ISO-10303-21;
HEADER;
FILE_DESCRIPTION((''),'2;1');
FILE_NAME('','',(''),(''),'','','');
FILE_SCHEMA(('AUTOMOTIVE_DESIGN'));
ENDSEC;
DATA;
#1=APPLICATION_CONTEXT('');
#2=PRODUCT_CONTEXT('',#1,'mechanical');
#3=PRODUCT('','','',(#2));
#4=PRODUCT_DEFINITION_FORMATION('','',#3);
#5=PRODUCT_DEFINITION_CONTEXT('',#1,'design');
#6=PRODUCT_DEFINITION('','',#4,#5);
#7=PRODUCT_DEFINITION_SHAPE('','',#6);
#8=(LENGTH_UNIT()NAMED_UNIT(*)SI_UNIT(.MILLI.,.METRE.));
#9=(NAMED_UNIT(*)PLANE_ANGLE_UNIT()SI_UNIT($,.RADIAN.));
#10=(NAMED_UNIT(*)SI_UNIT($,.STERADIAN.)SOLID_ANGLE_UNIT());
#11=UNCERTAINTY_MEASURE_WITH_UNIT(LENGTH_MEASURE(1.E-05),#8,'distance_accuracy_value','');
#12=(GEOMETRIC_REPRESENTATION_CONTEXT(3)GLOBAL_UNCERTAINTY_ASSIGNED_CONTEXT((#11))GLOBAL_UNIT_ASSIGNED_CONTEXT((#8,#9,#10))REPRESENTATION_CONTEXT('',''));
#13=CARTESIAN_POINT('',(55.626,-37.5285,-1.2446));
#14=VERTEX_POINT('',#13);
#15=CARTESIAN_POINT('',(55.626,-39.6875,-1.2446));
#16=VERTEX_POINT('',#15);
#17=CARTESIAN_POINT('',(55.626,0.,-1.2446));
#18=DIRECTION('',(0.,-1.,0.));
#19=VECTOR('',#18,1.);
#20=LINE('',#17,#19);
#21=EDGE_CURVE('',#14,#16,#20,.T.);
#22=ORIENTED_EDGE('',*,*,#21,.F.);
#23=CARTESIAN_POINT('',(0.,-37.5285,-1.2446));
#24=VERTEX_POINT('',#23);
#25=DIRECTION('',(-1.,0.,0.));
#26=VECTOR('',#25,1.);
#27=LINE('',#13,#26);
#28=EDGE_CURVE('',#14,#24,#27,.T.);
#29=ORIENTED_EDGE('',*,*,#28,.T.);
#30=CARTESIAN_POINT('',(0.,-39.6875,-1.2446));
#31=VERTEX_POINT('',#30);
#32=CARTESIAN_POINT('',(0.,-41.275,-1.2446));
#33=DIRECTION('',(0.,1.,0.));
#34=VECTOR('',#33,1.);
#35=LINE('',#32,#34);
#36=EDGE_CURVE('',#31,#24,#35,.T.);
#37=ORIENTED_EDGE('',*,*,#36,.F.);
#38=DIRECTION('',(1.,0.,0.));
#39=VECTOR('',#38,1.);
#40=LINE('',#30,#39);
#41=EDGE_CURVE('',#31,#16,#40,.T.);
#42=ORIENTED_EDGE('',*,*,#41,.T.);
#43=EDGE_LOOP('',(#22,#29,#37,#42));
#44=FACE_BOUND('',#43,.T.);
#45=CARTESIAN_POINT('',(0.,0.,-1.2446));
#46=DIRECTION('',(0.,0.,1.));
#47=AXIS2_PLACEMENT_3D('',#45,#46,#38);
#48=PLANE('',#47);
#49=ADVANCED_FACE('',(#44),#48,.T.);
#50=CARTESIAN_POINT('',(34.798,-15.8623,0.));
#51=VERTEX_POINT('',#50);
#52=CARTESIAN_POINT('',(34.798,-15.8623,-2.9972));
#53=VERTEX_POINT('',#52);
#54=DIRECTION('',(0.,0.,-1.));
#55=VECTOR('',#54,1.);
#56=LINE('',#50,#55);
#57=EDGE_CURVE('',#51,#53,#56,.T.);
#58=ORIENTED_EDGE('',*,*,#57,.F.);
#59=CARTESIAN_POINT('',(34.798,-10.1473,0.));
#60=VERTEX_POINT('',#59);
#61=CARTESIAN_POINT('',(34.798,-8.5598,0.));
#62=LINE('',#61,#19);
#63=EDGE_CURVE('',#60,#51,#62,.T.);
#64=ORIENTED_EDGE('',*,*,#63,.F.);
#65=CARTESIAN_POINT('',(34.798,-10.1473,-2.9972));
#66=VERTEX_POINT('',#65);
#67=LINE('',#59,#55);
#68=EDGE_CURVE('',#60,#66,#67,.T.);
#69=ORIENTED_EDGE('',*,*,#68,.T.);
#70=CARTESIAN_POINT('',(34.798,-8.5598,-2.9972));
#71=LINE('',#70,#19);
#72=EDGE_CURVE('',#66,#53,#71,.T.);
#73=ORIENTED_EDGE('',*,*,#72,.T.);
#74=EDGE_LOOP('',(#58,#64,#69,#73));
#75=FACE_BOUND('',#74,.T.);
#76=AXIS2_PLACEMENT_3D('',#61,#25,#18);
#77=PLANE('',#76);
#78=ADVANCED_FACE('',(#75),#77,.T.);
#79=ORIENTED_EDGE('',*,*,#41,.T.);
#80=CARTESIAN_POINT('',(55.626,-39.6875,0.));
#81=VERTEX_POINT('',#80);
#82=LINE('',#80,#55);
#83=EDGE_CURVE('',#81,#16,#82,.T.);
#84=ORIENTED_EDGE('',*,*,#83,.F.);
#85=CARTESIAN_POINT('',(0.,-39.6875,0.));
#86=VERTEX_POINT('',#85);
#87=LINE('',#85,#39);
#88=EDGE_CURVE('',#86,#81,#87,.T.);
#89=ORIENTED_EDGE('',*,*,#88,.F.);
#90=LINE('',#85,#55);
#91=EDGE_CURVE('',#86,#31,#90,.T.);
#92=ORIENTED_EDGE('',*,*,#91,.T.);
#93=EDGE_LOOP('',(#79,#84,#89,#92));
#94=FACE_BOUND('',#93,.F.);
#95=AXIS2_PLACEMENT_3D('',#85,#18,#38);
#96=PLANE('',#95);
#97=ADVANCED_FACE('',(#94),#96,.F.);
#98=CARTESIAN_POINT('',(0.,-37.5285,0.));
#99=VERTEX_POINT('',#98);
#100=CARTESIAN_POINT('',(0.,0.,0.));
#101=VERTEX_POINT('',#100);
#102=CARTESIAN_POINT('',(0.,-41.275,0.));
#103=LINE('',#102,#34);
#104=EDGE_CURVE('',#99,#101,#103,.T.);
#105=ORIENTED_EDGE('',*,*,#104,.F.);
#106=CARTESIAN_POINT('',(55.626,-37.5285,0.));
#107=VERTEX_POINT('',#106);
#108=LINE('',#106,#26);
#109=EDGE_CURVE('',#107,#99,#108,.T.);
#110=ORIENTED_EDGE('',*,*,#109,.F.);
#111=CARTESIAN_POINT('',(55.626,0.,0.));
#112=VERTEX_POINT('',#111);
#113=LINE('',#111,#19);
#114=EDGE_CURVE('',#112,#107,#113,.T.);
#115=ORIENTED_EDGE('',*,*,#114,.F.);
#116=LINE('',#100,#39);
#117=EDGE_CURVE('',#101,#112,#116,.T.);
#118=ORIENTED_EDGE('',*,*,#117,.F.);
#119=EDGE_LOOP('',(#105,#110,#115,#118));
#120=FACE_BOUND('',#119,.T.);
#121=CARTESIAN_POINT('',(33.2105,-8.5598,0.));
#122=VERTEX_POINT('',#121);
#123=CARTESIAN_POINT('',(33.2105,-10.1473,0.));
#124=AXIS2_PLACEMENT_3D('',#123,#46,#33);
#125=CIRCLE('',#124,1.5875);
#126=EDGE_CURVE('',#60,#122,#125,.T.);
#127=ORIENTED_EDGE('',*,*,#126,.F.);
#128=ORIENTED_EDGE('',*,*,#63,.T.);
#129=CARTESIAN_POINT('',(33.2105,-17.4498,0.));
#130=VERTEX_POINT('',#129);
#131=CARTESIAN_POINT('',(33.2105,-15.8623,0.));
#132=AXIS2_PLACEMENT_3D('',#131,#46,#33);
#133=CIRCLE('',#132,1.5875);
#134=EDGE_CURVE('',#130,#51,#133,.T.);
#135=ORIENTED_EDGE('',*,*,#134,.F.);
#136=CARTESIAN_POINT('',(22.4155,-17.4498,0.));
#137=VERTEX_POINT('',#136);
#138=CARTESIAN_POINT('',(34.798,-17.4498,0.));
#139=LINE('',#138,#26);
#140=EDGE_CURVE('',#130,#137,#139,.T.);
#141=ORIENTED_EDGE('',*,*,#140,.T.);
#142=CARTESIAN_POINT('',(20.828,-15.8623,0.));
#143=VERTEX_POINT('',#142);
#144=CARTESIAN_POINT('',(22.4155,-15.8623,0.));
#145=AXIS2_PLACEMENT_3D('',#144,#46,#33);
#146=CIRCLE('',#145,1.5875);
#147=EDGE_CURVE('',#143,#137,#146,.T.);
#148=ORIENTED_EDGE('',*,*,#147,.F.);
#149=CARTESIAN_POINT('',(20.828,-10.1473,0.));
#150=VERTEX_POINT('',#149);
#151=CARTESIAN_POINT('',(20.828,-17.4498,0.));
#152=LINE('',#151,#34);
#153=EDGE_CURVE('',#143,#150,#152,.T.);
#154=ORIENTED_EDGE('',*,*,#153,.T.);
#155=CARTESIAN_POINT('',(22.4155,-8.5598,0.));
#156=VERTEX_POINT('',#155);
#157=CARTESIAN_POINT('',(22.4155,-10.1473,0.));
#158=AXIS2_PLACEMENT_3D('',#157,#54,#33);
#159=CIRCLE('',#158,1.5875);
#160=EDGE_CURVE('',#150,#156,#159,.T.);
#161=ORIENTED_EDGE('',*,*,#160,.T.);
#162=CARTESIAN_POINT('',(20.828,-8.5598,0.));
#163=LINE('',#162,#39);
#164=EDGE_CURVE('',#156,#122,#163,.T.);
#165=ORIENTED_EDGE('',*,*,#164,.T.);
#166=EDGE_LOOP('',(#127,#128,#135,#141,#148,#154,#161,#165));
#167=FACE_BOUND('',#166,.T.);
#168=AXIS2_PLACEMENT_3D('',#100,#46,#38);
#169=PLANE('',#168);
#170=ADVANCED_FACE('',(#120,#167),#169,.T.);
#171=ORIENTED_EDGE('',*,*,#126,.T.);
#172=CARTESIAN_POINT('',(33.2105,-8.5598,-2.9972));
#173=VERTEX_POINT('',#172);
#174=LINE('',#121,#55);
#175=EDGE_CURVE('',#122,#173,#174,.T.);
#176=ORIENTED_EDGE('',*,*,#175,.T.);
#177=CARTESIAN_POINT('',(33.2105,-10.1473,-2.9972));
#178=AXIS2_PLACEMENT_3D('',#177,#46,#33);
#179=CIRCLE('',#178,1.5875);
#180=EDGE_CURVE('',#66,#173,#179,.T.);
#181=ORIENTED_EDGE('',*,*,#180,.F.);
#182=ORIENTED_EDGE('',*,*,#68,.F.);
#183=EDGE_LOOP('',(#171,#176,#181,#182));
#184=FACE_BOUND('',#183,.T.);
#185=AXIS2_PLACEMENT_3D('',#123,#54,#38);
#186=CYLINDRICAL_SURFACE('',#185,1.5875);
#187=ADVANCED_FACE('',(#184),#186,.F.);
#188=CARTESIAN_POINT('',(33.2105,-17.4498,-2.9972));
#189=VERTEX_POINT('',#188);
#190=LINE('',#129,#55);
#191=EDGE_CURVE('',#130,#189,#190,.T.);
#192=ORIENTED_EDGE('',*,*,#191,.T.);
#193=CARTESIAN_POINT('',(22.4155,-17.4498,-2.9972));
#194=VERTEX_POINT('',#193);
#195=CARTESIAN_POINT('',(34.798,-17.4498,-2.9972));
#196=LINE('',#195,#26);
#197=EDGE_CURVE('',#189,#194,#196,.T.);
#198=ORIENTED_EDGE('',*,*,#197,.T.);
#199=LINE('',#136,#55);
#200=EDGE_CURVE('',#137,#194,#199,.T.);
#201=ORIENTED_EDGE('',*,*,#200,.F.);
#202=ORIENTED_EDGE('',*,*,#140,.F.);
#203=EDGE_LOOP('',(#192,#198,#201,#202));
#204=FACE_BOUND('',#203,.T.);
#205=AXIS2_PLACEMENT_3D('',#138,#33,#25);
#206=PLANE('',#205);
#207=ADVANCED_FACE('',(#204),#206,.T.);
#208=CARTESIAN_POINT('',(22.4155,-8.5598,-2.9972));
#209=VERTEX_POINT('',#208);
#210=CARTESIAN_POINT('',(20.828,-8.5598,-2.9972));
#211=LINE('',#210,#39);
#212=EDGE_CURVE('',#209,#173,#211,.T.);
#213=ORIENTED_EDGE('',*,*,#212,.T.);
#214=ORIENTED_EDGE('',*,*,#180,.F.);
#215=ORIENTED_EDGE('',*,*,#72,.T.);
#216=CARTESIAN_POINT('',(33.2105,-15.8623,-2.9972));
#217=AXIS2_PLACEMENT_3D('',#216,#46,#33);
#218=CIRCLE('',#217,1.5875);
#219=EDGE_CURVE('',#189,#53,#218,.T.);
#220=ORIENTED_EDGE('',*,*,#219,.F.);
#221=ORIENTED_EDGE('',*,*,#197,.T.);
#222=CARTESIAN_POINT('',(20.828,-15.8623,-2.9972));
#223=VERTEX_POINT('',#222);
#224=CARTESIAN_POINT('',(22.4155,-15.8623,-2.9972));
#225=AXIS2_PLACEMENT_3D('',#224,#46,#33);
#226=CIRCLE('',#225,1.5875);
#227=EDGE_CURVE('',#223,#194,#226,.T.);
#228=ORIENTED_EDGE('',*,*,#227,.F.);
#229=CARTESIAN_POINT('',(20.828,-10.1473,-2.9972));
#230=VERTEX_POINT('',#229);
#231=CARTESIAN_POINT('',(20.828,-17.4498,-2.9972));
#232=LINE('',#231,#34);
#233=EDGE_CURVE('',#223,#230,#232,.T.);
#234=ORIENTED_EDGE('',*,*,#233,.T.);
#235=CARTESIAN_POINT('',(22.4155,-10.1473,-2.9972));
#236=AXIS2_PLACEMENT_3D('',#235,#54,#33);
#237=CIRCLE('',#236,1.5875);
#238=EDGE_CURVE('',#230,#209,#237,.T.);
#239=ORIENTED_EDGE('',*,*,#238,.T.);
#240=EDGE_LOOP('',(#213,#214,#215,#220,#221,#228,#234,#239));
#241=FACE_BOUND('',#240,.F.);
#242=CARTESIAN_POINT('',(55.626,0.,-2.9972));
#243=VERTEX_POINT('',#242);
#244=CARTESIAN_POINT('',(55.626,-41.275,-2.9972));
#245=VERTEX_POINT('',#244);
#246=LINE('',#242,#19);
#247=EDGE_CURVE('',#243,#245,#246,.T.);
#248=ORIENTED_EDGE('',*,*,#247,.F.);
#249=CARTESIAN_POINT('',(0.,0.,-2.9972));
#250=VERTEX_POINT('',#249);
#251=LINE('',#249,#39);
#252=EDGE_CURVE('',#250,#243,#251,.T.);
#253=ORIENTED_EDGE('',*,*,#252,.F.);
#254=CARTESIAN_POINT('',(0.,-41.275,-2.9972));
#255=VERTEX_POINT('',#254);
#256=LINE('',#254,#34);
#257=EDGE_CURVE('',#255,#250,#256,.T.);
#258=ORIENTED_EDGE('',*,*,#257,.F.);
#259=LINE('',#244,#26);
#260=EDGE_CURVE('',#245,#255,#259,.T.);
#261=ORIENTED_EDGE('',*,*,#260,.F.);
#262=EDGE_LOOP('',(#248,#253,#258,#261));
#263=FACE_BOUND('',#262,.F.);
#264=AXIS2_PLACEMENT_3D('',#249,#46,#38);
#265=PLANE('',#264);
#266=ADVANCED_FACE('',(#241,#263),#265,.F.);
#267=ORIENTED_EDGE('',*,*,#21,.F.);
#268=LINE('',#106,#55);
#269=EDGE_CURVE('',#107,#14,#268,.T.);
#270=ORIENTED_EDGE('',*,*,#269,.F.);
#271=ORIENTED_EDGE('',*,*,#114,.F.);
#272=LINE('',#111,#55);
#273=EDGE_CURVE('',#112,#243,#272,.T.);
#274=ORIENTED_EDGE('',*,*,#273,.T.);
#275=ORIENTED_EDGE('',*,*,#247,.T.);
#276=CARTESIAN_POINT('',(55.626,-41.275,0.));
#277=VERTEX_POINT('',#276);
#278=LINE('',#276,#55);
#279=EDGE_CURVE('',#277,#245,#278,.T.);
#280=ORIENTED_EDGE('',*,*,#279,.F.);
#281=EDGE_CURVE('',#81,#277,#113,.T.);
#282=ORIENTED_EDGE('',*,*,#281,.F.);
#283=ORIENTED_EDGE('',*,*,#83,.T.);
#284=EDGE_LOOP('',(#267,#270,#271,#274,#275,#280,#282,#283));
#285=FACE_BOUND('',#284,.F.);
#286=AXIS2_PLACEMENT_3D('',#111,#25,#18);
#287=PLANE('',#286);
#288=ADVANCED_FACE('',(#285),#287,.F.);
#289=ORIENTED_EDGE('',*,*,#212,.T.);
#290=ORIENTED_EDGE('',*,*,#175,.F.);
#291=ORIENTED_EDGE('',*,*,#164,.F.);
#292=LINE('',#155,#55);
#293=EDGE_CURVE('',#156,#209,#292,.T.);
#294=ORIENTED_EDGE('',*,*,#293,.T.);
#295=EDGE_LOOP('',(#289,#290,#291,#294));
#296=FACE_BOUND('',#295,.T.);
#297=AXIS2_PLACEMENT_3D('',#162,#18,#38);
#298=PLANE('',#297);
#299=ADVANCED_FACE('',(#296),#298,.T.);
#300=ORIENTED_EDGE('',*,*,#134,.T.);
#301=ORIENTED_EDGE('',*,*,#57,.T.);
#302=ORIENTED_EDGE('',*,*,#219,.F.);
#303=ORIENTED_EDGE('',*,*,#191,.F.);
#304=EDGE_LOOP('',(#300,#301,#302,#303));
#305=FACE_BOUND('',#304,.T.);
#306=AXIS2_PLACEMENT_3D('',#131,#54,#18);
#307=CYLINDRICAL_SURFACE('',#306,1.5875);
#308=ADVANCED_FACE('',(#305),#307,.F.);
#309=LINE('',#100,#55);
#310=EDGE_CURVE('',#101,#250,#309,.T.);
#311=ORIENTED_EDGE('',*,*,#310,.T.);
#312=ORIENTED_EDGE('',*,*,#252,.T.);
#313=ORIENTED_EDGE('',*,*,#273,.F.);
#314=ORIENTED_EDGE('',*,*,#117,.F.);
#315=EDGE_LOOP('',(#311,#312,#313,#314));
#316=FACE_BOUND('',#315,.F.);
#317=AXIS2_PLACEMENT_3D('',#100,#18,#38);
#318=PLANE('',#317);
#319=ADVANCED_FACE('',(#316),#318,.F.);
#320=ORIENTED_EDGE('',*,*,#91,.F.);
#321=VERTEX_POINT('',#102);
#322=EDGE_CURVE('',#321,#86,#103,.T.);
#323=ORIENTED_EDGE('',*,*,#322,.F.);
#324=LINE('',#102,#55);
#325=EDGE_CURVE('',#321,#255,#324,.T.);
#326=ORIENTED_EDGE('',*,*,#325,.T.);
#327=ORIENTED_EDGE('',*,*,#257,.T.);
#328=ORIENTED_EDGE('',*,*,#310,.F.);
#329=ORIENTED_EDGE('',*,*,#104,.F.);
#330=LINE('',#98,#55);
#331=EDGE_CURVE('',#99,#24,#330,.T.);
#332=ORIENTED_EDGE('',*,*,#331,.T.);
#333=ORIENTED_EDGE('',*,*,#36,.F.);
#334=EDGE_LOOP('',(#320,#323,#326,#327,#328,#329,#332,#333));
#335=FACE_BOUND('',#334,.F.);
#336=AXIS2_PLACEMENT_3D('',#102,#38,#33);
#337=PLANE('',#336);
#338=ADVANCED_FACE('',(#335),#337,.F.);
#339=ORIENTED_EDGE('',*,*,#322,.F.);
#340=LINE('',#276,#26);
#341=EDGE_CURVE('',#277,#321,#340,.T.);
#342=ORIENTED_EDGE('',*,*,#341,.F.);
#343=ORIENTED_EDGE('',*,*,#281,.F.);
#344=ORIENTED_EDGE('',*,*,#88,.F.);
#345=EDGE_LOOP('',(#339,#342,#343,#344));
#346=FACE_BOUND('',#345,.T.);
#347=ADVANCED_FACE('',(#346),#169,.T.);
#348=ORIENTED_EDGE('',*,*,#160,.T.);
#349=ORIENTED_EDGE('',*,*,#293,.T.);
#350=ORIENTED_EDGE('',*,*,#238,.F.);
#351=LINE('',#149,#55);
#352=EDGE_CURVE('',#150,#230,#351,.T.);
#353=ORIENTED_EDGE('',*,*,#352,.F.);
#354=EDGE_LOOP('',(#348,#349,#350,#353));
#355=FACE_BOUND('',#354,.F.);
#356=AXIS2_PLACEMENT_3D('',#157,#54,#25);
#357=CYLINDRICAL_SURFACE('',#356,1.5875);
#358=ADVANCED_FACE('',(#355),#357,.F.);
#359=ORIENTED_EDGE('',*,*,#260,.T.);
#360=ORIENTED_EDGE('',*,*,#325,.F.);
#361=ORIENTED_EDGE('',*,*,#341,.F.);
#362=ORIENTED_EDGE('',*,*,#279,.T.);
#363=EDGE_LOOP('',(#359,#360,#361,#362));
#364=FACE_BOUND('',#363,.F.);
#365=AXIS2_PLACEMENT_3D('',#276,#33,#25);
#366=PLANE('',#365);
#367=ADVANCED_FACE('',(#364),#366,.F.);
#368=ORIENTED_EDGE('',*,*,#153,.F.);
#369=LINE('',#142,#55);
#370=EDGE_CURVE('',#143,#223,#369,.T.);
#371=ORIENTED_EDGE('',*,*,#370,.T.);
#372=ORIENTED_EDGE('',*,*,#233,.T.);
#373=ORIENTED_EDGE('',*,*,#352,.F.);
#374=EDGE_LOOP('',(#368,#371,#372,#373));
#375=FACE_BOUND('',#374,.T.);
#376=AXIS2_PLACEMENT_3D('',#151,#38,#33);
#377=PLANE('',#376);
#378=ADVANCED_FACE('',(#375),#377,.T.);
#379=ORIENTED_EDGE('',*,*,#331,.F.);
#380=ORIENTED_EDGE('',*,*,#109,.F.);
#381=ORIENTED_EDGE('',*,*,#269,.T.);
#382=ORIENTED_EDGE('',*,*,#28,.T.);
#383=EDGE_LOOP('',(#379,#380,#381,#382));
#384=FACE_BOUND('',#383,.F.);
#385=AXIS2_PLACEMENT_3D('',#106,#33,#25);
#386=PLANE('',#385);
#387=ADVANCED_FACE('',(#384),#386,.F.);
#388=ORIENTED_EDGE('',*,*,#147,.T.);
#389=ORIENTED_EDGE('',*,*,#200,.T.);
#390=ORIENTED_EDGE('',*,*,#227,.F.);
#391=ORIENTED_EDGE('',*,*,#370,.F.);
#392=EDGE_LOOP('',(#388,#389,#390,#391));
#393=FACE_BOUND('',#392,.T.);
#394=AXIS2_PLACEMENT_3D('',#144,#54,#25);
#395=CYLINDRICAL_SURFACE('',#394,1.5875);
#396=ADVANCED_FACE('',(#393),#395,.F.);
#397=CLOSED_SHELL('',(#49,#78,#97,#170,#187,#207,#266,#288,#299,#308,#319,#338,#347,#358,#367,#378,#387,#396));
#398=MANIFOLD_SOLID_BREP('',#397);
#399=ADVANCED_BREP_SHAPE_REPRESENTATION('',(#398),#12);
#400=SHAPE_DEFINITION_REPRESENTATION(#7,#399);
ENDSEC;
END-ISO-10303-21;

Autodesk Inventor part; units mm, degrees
ref_plane "YZ Plane" through (0, 0, 0) normal (1, 0, 0) x (0, 1, 0)
ref_plane "XZ Plane" through (0, 0, 0) normal (0, 1, 0) x (-1, 0, 0)
ref_plane "XY Plane" through (0, 0, 0) normal (0, 0, 1) x (1, 0, 0)
sketch "Sketch1" plane through (0, 0, 0) normal (0, 0, 1) x (1, 0, 0)
  line L0 (0, 0) -> (55.626, 0)
  line L1 (55.626, 0) -> (55.626, -41.275)
  line L2 (55.626, -41.275) -> (0, -41.275)
  line L3 (0, -41.275) -> (0, 0)
  dimension "d0" = 41.275
  dimension "d1" = 55.626
extrude "Extrusion1" add sketch "Sketch1" against normal blind 2.9972
sketch "Sketch2" plane through (0, 0, 0) normal (0, 0, 1) x (1, 0, 0)
  line L0 (0, -41.275) -> (0, 0) projected
  line L1 (55.626, -41.275) -> (0, -41.275) projected
  line L2 (20.828, -8.5598) -> (34.798, -8.5598)
  line L3 (34.798, -8.5598) -> (34.798, -17.4498)
  line L4 (34.798, -17.4498) -> (20.828, -17.4498)
  line L5 (20.828, -17.4498) -> (20.828, -8.5598)
  dimension "d4" = 13.97
  dimension "d5" = 8.89
  dimension "d6" = 20.828
  dimension "d7" = 23.8252
extrude "Extrusion2" cut sketch "Sketch2" against normal blind 2.9972
fillet "Fillet1" radius 1.5875 4 edges at (20.828, -17.4498, -1.4986) (20.828, -8.5598, -1.4986) (34.798, -8.5598, -1.4986) (34.798, -17.4498, -1.4986)
sketch "Sketch3" plane through (0, 0, 0) normal (0, 0, 1) x (1, 0, 0)
  line L0 (0, -41.275) -> (0, 0) projected
  line L1 (55.626, -41.275) -> (0, -41.275) projected
  line L2 (55.626, 0) -> (55.626, -41.275) projected
  line L3 (0, -39.6875) -> (55.626, -39.6875)
  line L4 (55.626, -39.6875) -> (55.626, -37.5285)
  line L5 (55.626, -37.5285) -> (0, -37.5285)
  line L6 (0, -37.5285) -> (0, -39.6875)
  dimension "d11" = 1.5875
  dimension "d12" = 2.159
extrude "Extrusion3" cut sketch "Sketch3" against normal blind 1.2446 contours L0 L5 L2 L3
properties part number "Lidar Sensor Case 4 v2 CNC"
